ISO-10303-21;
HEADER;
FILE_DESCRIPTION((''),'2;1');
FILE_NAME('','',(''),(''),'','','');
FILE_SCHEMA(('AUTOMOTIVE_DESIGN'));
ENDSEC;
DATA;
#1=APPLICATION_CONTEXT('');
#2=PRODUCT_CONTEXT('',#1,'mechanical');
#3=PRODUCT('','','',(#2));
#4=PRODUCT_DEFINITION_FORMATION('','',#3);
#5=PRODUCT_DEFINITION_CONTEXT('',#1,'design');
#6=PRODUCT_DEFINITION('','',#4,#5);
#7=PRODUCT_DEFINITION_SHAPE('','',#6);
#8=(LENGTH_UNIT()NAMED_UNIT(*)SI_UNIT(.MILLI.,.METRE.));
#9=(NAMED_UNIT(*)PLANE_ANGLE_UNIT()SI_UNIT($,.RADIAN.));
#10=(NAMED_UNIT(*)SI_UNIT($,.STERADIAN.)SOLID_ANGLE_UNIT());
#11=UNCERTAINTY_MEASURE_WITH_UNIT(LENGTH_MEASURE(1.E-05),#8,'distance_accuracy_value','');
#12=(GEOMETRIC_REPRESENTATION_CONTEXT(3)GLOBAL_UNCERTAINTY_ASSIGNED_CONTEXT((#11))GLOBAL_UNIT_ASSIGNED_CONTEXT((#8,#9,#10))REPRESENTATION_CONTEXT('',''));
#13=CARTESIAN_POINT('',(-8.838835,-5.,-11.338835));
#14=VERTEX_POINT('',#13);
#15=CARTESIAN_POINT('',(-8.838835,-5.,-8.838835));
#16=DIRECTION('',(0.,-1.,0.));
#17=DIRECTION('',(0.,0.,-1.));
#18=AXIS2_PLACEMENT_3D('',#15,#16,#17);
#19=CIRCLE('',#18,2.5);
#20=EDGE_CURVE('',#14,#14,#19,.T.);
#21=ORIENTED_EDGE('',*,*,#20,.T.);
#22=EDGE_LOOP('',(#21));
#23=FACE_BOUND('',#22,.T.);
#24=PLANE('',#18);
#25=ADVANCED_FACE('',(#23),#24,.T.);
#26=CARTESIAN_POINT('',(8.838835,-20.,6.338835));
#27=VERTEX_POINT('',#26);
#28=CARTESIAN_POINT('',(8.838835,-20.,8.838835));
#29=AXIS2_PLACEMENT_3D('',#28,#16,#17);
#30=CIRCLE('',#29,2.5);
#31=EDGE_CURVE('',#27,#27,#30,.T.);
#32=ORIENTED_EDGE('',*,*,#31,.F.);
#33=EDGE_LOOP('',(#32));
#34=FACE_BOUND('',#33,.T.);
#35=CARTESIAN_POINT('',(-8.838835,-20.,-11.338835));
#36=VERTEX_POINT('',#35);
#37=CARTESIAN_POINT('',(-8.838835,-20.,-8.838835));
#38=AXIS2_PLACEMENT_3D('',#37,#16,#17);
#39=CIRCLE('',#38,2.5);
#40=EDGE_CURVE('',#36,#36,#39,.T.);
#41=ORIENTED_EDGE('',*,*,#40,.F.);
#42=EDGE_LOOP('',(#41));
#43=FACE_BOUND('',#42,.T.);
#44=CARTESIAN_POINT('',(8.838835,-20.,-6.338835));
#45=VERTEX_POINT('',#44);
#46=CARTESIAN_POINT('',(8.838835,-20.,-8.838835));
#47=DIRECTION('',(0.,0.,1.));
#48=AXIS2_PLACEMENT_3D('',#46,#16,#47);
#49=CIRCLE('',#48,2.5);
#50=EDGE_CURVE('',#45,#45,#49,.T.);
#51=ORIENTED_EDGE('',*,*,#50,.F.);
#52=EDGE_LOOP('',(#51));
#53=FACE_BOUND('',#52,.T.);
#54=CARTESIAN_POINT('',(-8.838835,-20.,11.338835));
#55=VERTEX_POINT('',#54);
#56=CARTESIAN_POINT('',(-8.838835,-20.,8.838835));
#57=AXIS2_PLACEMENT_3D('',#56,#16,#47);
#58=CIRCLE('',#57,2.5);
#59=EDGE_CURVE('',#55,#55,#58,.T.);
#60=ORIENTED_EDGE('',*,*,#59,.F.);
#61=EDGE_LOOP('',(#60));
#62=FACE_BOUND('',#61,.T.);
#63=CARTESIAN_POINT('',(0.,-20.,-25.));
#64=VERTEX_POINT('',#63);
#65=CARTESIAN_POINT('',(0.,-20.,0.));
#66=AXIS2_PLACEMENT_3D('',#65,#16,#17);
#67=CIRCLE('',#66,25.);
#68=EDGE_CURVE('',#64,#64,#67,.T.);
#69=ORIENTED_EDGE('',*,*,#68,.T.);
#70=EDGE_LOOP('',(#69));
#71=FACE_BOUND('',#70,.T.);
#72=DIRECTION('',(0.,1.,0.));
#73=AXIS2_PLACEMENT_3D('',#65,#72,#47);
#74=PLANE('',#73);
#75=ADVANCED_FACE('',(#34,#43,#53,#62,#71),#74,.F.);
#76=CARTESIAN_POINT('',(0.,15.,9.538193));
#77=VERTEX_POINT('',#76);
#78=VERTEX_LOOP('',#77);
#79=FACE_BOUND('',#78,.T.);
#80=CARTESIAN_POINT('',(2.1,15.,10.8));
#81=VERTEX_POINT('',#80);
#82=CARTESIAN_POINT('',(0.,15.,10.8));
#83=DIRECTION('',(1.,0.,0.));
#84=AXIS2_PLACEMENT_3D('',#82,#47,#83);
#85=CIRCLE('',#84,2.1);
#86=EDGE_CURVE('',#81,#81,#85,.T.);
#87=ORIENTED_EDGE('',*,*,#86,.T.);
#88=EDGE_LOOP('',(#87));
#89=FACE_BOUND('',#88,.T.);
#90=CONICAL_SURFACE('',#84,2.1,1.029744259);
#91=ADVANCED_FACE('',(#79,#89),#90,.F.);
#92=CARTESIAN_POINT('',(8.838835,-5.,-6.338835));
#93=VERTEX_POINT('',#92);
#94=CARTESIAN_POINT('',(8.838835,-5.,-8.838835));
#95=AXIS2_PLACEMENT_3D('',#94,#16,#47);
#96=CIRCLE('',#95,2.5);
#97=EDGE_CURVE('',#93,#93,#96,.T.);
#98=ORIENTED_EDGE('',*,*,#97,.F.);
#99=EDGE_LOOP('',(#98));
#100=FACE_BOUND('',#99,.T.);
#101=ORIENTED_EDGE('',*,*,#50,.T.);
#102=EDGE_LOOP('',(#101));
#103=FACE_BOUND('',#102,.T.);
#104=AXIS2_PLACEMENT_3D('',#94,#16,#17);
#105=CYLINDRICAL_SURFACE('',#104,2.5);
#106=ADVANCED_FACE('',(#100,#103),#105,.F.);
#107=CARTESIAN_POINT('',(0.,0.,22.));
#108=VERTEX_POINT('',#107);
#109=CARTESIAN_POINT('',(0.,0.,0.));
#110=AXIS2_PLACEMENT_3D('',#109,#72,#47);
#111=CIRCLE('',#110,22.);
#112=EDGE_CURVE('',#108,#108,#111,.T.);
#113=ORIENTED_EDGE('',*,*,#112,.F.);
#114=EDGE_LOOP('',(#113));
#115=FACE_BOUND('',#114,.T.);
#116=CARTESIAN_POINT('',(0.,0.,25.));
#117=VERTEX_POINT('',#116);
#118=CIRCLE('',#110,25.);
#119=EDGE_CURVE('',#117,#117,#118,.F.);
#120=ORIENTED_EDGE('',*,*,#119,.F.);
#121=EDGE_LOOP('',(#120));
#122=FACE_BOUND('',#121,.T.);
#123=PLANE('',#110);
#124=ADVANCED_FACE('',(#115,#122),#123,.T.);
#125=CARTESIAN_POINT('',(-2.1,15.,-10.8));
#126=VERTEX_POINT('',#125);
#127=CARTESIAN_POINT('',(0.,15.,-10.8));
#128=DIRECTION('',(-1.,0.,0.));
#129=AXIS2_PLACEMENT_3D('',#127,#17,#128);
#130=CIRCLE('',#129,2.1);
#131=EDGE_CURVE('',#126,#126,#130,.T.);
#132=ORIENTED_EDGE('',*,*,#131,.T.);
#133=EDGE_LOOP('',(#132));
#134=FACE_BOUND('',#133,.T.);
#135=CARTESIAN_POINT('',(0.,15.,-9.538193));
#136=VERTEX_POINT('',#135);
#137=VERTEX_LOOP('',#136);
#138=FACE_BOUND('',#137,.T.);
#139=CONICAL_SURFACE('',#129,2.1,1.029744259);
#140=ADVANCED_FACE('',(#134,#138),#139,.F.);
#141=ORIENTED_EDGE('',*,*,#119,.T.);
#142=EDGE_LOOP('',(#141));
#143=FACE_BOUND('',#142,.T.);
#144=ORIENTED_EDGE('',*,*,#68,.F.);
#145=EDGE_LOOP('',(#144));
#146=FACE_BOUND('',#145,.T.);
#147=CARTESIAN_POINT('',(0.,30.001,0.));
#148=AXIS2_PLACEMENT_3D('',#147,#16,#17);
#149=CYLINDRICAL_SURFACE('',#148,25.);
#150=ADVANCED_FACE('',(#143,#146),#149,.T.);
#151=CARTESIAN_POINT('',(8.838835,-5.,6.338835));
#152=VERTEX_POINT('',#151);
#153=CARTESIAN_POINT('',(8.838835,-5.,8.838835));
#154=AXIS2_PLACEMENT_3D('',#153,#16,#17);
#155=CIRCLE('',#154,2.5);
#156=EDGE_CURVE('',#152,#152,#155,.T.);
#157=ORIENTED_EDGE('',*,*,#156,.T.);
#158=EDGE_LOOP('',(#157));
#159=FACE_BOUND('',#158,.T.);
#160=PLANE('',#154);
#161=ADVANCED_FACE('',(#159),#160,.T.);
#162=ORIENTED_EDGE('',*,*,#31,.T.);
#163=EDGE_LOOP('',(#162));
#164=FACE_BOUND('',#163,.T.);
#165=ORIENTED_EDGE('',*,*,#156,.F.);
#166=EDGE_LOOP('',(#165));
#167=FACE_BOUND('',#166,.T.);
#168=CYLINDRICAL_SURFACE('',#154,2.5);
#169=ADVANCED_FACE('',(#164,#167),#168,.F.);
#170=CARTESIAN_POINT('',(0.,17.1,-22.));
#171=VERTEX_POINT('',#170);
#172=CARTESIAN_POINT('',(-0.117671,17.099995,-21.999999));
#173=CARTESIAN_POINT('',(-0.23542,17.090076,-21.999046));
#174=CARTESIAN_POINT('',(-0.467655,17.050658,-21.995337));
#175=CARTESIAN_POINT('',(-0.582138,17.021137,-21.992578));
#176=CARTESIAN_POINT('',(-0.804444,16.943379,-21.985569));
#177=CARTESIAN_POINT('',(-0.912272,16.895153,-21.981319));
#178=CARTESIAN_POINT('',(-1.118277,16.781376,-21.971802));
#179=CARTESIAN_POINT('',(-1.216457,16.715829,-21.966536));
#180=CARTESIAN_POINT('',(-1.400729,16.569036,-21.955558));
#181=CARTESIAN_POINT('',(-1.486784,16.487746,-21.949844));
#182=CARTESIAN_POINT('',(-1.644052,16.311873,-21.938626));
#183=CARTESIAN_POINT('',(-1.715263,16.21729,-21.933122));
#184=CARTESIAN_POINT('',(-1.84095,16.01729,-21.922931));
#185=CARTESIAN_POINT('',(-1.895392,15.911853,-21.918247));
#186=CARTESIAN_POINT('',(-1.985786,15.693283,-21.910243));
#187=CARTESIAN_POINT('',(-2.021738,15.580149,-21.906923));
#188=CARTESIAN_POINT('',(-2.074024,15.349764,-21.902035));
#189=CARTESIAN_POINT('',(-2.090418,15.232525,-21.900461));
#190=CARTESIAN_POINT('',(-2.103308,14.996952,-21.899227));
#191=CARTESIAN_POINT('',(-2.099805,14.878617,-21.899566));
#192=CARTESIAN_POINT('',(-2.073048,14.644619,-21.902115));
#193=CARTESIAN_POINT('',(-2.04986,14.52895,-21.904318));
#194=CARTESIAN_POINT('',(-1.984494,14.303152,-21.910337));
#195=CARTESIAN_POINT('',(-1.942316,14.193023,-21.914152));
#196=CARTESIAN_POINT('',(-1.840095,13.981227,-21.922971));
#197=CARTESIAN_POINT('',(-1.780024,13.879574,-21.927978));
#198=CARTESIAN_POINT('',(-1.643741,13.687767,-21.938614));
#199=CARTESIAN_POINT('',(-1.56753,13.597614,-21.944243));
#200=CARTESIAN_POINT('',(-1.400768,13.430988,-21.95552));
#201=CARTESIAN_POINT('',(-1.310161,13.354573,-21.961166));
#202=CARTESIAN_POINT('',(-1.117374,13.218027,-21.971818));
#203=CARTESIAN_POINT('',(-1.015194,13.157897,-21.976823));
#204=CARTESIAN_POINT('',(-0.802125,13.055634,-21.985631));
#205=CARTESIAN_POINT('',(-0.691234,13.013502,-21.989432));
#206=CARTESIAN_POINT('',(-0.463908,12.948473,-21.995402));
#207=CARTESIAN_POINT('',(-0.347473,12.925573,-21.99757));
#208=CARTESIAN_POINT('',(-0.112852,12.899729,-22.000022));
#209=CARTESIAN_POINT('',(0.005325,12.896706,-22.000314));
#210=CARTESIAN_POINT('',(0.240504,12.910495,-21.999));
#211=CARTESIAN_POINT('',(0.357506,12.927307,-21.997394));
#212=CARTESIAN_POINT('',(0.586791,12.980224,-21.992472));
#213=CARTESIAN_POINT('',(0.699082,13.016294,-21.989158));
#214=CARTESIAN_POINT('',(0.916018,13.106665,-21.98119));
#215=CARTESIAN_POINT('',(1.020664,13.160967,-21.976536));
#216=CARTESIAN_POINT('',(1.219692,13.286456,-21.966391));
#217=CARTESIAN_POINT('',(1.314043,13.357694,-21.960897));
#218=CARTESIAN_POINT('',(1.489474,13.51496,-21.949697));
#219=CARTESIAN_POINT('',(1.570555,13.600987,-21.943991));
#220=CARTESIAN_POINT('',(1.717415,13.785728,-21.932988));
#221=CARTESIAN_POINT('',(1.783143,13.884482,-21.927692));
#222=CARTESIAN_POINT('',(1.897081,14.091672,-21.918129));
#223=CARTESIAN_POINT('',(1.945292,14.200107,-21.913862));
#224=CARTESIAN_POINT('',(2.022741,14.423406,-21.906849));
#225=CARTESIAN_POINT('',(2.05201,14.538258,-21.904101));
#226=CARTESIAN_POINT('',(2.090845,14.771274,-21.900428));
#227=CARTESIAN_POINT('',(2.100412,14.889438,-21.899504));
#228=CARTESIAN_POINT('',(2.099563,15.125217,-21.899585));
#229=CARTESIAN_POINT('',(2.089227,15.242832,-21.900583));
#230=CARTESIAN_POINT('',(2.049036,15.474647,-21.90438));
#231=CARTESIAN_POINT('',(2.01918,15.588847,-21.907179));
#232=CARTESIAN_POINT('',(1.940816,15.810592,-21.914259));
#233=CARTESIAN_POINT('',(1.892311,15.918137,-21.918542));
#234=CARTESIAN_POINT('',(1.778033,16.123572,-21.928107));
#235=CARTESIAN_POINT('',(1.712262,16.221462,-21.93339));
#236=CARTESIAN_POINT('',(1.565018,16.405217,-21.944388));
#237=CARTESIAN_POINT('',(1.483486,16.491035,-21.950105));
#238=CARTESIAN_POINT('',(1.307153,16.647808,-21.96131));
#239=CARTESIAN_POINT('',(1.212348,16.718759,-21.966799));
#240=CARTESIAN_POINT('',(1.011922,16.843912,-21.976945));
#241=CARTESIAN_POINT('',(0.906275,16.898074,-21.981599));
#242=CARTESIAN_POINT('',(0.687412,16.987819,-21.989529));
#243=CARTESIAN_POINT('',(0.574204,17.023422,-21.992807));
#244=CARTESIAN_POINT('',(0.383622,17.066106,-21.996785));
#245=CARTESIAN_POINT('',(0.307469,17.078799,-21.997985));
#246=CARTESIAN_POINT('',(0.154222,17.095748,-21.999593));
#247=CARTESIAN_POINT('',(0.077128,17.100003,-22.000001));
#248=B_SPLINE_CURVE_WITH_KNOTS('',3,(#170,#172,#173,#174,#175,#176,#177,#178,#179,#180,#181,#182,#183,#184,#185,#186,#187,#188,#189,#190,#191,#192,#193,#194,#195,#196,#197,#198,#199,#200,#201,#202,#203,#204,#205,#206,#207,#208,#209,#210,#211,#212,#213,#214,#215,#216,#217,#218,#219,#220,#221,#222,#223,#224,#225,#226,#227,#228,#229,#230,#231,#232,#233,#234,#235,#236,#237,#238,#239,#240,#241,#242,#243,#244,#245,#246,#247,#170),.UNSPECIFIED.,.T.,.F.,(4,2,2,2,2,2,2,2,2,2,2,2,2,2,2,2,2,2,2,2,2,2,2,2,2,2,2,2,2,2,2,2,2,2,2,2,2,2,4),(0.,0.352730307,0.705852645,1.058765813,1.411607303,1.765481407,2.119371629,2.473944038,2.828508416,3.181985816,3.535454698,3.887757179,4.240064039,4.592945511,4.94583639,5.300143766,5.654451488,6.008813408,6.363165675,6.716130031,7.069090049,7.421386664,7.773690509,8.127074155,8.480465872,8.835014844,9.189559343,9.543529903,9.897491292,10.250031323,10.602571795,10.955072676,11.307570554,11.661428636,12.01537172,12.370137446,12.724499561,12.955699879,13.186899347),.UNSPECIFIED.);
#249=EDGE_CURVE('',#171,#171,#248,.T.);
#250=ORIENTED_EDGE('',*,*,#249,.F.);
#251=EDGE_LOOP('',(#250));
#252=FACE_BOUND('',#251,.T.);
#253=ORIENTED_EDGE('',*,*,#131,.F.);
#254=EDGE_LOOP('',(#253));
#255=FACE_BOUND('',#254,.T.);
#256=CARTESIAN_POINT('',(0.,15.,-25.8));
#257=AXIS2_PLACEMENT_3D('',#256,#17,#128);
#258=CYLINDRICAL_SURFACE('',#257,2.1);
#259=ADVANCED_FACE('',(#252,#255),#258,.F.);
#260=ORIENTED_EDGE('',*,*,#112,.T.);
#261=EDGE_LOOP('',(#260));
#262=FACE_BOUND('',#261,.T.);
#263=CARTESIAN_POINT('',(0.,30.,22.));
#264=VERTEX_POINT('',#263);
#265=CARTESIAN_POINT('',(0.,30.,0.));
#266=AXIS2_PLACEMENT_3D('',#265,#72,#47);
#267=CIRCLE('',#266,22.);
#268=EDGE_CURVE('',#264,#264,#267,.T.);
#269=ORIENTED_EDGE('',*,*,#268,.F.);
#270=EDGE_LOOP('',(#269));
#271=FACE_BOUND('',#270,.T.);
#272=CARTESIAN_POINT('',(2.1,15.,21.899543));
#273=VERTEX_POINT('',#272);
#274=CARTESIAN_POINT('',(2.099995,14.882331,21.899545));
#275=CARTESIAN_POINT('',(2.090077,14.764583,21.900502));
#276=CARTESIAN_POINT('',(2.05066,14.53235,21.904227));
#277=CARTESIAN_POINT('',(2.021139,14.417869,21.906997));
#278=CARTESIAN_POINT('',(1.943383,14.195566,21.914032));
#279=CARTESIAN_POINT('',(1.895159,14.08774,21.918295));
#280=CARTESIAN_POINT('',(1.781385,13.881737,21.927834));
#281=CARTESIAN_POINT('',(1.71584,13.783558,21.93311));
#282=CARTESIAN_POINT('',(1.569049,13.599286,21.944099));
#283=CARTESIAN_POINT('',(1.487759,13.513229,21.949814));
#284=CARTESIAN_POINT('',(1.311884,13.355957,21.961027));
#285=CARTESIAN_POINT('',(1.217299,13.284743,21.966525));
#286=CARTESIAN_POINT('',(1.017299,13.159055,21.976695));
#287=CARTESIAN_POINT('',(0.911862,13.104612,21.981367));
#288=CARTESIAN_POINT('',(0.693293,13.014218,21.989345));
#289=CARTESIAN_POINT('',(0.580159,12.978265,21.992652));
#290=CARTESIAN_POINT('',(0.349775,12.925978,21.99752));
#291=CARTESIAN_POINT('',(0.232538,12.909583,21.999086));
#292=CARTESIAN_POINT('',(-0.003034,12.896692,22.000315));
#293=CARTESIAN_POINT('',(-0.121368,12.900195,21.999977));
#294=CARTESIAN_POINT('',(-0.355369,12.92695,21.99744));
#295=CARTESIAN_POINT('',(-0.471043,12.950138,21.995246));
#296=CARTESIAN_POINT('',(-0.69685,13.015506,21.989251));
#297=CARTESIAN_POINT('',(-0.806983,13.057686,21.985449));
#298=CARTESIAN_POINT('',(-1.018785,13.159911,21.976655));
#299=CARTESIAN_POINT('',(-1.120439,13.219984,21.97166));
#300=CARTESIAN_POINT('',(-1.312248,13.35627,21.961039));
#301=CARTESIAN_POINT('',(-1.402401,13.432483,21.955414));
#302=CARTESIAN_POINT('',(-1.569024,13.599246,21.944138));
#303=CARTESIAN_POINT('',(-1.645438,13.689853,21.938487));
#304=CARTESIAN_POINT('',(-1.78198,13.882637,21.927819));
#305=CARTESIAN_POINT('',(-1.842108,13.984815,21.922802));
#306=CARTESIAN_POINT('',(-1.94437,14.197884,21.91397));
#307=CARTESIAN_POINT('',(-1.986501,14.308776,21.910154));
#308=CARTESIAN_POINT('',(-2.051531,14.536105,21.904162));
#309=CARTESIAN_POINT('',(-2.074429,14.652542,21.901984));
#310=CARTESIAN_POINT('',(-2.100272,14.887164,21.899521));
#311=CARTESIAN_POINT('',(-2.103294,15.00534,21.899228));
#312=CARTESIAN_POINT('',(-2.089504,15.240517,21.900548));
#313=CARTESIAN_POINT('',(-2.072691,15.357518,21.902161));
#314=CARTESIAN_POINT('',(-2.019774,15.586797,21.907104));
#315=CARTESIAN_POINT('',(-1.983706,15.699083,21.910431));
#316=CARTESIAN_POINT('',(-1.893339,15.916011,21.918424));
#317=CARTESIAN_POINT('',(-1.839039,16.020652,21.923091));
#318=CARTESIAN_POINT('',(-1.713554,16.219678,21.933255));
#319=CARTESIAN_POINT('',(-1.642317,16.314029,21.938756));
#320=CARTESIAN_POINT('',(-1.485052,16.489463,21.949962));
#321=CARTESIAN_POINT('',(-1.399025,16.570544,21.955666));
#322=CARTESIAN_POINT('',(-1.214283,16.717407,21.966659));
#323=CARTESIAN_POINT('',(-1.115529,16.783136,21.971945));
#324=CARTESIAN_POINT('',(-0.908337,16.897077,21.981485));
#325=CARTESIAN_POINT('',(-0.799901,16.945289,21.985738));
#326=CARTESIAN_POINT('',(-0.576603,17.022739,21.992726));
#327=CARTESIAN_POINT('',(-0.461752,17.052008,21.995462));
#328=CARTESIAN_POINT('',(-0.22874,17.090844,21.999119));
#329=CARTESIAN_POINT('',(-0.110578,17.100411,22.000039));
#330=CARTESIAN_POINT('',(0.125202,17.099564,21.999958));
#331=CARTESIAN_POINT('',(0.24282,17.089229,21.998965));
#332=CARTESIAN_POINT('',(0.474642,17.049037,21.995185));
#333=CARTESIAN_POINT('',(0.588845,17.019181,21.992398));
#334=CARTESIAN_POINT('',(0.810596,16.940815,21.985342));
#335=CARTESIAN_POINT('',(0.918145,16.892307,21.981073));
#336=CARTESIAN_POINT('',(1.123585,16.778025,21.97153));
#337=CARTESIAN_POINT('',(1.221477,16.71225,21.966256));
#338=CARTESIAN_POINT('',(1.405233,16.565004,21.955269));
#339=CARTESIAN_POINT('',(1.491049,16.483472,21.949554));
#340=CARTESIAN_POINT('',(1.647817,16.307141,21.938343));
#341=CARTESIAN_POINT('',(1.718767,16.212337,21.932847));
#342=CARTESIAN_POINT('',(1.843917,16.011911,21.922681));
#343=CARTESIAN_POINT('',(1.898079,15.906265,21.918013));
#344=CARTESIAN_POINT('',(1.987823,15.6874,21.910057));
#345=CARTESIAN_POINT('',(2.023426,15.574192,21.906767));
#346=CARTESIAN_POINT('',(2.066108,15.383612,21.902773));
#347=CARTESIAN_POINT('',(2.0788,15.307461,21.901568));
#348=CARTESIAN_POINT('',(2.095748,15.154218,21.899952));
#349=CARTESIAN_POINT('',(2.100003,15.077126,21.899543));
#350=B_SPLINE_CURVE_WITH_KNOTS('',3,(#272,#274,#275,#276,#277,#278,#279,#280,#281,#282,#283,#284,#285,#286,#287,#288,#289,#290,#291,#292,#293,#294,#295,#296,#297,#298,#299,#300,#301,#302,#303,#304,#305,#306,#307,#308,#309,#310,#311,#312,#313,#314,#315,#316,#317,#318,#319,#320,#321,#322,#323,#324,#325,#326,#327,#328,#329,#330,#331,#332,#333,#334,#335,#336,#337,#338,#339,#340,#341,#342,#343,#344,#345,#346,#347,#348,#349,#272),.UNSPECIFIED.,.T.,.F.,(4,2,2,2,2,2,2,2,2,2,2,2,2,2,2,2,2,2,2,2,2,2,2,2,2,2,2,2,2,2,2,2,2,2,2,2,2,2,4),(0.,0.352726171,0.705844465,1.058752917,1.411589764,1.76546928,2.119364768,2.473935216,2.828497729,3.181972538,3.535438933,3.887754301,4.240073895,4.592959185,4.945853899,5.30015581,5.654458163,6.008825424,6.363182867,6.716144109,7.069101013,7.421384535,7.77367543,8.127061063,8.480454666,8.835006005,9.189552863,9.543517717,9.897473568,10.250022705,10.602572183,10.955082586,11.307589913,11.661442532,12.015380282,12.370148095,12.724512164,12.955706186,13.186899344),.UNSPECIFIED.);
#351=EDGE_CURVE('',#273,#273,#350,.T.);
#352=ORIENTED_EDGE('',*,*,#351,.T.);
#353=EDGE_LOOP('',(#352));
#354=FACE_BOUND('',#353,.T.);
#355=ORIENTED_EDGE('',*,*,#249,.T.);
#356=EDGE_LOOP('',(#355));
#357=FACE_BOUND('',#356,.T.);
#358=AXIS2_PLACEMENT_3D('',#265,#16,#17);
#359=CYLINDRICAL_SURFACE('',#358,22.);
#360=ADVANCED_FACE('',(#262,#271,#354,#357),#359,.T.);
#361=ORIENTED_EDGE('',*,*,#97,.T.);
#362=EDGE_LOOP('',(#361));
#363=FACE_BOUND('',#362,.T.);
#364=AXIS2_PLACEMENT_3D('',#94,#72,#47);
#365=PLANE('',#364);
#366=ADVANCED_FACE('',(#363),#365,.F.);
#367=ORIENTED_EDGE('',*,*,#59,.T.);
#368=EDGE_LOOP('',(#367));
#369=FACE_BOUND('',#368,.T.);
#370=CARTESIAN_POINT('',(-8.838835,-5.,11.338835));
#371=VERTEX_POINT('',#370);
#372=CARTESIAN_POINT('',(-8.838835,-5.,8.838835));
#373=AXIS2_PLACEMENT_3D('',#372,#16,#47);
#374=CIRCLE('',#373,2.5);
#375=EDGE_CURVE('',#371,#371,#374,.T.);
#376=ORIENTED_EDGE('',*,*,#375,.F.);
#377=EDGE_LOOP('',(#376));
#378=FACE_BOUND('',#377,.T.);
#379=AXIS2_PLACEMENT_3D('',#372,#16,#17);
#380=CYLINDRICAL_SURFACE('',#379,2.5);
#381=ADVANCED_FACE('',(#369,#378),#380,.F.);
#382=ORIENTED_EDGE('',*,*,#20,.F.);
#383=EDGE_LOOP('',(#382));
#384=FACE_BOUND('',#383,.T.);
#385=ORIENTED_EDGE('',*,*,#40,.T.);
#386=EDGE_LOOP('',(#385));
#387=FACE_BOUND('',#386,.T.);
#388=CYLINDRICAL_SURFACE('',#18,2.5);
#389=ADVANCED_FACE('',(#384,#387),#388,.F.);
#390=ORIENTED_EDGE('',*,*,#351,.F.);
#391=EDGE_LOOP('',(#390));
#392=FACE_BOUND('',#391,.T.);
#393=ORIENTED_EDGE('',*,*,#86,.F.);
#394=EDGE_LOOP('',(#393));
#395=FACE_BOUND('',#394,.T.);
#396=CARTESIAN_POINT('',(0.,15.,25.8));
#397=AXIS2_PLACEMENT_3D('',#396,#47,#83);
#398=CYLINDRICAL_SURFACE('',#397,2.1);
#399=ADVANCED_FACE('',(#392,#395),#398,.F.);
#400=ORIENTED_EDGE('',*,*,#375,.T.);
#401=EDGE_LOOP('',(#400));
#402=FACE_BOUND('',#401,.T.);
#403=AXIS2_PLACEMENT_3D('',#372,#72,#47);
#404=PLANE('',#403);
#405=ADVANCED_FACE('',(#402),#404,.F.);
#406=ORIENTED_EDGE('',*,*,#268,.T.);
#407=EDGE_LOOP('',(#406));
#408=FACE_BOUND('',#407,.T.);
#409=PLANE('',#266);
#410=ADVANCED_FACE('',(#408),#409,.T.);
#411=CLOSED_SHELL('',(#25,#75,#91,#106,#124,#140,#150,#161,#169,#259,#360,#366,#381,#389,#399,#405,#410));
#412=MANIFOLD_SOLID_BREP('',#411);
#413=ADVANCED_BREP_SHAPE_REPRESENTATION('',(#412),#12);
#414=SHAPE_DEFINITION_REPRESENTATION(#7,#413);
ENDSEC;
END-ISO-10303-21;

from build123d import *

# Parameters (mm, degrees)
ESBO_O1_R                = 22
RESSALTO_EXTRUS_O1_DEPTH = 30
ESBO_O2_W                = 51.6
ESBO_O2_H                = 51.6
RESSALTO_EXTRUS_O2_DEPTH = 20
CORTE_EXTRUS_O4_REACH    = 52
ESBO_O17_W               = 51.6
ESBO_O17_H               = 51.6
ESBO_O17_R               = 25
ESBO_O18_R               = 2.5
CORTE_EXTRUS_O5_DEPTH    = 15


with BuildPart() as part:
    # Esboço1 → Ressalto-extrusão1 (new body)
    with BuildSketch(Plane(origin=(0, 0, 0), x_dir=(1, 0, 0), z_dir=(0, 1, 0))):
        Circle(ESBO_O1_R)
    extrude(amount=RESSALTO_EXTRUS_O1_DEPTH)

    # Esboço2 → Ressalto-extrusão2 (add)
    with BuildSketch(Plane.XZ):
        Rectangle(ESBO_O2_W, ESBO_O2_H)
    extrude(amount=RESSALTO_EXTRUS_O2_DEPTH)

    # Esboço13 → Broca de rosquear para tarraxa de M52 (revolve, cut)
    with BuildSketch(Plane(origin=(0, 15, 25.8), x_dir=(0, -1, 0), z_dir=(1, 0, 0))):
        Polygon((0, 0), (0, 16.2618073), (2.1, 15), (2.1, 0), align=None)
    broca_de_rosquear_para_tarraxa_de_m52 = revolve(axis=Axis((0, 15, 32.15), (0, 0, -1)), mode=Mode.SUBTRACT)

    # Espelhar1: Broca de rosquear para tarraxa de M52 across plane
    add(broca_de_rosquear_para_tarraxa_de_m52.mirror(Plane.XY), mode=Mode.SUBTRACT)

    # Esboço17 → Corte-extrusão4 (cut, up to next)
    with BuildSketch(Plane.XZ.offset(20), mode=Mode.PRIVATE) as corte_extrus_o4_sk1:
        Rectangle(ESBO_O17_W, ESBO_O17_H)
        Circle(ESBO_O17_R, mode=Mode.SUBTRACT)
    corte_extrus_o4_tool1 = extrude(corte_extrus_o4_sk1.sketch, amount=-CORTE_EXTRUS_O4_REACH, mode=Mode.PRIVATE) & part.part
    add(corte_extrus_o4_tool1.solids().sort_by_distance((25.070266, -20, 0))[0], mode=Mode.SUBTRACT)

    # Esboço18 → Corte-extrusão5 (cut)
    with BuildSketch(Plane.XZ.offset(20)):
        with Locations((8.838834765, 8.838834765)):
            Circle(ESBO_O18_R)
        with Locations((-8.838834765, 8.838834765)):
            Circle(ESBO_O18_R)
        with Locations((8.838834765, -8.838834765)):
            Circle(ESBO_O18_R)
        with Locations((-8.838834765, -8.838834765)):
            Circle(ESBO_O18_R)
    extrude(amount=-CORTE_EXTRUS_O5_DEPTH, mode=Mode.SUBTRACT)


solid = part.part
